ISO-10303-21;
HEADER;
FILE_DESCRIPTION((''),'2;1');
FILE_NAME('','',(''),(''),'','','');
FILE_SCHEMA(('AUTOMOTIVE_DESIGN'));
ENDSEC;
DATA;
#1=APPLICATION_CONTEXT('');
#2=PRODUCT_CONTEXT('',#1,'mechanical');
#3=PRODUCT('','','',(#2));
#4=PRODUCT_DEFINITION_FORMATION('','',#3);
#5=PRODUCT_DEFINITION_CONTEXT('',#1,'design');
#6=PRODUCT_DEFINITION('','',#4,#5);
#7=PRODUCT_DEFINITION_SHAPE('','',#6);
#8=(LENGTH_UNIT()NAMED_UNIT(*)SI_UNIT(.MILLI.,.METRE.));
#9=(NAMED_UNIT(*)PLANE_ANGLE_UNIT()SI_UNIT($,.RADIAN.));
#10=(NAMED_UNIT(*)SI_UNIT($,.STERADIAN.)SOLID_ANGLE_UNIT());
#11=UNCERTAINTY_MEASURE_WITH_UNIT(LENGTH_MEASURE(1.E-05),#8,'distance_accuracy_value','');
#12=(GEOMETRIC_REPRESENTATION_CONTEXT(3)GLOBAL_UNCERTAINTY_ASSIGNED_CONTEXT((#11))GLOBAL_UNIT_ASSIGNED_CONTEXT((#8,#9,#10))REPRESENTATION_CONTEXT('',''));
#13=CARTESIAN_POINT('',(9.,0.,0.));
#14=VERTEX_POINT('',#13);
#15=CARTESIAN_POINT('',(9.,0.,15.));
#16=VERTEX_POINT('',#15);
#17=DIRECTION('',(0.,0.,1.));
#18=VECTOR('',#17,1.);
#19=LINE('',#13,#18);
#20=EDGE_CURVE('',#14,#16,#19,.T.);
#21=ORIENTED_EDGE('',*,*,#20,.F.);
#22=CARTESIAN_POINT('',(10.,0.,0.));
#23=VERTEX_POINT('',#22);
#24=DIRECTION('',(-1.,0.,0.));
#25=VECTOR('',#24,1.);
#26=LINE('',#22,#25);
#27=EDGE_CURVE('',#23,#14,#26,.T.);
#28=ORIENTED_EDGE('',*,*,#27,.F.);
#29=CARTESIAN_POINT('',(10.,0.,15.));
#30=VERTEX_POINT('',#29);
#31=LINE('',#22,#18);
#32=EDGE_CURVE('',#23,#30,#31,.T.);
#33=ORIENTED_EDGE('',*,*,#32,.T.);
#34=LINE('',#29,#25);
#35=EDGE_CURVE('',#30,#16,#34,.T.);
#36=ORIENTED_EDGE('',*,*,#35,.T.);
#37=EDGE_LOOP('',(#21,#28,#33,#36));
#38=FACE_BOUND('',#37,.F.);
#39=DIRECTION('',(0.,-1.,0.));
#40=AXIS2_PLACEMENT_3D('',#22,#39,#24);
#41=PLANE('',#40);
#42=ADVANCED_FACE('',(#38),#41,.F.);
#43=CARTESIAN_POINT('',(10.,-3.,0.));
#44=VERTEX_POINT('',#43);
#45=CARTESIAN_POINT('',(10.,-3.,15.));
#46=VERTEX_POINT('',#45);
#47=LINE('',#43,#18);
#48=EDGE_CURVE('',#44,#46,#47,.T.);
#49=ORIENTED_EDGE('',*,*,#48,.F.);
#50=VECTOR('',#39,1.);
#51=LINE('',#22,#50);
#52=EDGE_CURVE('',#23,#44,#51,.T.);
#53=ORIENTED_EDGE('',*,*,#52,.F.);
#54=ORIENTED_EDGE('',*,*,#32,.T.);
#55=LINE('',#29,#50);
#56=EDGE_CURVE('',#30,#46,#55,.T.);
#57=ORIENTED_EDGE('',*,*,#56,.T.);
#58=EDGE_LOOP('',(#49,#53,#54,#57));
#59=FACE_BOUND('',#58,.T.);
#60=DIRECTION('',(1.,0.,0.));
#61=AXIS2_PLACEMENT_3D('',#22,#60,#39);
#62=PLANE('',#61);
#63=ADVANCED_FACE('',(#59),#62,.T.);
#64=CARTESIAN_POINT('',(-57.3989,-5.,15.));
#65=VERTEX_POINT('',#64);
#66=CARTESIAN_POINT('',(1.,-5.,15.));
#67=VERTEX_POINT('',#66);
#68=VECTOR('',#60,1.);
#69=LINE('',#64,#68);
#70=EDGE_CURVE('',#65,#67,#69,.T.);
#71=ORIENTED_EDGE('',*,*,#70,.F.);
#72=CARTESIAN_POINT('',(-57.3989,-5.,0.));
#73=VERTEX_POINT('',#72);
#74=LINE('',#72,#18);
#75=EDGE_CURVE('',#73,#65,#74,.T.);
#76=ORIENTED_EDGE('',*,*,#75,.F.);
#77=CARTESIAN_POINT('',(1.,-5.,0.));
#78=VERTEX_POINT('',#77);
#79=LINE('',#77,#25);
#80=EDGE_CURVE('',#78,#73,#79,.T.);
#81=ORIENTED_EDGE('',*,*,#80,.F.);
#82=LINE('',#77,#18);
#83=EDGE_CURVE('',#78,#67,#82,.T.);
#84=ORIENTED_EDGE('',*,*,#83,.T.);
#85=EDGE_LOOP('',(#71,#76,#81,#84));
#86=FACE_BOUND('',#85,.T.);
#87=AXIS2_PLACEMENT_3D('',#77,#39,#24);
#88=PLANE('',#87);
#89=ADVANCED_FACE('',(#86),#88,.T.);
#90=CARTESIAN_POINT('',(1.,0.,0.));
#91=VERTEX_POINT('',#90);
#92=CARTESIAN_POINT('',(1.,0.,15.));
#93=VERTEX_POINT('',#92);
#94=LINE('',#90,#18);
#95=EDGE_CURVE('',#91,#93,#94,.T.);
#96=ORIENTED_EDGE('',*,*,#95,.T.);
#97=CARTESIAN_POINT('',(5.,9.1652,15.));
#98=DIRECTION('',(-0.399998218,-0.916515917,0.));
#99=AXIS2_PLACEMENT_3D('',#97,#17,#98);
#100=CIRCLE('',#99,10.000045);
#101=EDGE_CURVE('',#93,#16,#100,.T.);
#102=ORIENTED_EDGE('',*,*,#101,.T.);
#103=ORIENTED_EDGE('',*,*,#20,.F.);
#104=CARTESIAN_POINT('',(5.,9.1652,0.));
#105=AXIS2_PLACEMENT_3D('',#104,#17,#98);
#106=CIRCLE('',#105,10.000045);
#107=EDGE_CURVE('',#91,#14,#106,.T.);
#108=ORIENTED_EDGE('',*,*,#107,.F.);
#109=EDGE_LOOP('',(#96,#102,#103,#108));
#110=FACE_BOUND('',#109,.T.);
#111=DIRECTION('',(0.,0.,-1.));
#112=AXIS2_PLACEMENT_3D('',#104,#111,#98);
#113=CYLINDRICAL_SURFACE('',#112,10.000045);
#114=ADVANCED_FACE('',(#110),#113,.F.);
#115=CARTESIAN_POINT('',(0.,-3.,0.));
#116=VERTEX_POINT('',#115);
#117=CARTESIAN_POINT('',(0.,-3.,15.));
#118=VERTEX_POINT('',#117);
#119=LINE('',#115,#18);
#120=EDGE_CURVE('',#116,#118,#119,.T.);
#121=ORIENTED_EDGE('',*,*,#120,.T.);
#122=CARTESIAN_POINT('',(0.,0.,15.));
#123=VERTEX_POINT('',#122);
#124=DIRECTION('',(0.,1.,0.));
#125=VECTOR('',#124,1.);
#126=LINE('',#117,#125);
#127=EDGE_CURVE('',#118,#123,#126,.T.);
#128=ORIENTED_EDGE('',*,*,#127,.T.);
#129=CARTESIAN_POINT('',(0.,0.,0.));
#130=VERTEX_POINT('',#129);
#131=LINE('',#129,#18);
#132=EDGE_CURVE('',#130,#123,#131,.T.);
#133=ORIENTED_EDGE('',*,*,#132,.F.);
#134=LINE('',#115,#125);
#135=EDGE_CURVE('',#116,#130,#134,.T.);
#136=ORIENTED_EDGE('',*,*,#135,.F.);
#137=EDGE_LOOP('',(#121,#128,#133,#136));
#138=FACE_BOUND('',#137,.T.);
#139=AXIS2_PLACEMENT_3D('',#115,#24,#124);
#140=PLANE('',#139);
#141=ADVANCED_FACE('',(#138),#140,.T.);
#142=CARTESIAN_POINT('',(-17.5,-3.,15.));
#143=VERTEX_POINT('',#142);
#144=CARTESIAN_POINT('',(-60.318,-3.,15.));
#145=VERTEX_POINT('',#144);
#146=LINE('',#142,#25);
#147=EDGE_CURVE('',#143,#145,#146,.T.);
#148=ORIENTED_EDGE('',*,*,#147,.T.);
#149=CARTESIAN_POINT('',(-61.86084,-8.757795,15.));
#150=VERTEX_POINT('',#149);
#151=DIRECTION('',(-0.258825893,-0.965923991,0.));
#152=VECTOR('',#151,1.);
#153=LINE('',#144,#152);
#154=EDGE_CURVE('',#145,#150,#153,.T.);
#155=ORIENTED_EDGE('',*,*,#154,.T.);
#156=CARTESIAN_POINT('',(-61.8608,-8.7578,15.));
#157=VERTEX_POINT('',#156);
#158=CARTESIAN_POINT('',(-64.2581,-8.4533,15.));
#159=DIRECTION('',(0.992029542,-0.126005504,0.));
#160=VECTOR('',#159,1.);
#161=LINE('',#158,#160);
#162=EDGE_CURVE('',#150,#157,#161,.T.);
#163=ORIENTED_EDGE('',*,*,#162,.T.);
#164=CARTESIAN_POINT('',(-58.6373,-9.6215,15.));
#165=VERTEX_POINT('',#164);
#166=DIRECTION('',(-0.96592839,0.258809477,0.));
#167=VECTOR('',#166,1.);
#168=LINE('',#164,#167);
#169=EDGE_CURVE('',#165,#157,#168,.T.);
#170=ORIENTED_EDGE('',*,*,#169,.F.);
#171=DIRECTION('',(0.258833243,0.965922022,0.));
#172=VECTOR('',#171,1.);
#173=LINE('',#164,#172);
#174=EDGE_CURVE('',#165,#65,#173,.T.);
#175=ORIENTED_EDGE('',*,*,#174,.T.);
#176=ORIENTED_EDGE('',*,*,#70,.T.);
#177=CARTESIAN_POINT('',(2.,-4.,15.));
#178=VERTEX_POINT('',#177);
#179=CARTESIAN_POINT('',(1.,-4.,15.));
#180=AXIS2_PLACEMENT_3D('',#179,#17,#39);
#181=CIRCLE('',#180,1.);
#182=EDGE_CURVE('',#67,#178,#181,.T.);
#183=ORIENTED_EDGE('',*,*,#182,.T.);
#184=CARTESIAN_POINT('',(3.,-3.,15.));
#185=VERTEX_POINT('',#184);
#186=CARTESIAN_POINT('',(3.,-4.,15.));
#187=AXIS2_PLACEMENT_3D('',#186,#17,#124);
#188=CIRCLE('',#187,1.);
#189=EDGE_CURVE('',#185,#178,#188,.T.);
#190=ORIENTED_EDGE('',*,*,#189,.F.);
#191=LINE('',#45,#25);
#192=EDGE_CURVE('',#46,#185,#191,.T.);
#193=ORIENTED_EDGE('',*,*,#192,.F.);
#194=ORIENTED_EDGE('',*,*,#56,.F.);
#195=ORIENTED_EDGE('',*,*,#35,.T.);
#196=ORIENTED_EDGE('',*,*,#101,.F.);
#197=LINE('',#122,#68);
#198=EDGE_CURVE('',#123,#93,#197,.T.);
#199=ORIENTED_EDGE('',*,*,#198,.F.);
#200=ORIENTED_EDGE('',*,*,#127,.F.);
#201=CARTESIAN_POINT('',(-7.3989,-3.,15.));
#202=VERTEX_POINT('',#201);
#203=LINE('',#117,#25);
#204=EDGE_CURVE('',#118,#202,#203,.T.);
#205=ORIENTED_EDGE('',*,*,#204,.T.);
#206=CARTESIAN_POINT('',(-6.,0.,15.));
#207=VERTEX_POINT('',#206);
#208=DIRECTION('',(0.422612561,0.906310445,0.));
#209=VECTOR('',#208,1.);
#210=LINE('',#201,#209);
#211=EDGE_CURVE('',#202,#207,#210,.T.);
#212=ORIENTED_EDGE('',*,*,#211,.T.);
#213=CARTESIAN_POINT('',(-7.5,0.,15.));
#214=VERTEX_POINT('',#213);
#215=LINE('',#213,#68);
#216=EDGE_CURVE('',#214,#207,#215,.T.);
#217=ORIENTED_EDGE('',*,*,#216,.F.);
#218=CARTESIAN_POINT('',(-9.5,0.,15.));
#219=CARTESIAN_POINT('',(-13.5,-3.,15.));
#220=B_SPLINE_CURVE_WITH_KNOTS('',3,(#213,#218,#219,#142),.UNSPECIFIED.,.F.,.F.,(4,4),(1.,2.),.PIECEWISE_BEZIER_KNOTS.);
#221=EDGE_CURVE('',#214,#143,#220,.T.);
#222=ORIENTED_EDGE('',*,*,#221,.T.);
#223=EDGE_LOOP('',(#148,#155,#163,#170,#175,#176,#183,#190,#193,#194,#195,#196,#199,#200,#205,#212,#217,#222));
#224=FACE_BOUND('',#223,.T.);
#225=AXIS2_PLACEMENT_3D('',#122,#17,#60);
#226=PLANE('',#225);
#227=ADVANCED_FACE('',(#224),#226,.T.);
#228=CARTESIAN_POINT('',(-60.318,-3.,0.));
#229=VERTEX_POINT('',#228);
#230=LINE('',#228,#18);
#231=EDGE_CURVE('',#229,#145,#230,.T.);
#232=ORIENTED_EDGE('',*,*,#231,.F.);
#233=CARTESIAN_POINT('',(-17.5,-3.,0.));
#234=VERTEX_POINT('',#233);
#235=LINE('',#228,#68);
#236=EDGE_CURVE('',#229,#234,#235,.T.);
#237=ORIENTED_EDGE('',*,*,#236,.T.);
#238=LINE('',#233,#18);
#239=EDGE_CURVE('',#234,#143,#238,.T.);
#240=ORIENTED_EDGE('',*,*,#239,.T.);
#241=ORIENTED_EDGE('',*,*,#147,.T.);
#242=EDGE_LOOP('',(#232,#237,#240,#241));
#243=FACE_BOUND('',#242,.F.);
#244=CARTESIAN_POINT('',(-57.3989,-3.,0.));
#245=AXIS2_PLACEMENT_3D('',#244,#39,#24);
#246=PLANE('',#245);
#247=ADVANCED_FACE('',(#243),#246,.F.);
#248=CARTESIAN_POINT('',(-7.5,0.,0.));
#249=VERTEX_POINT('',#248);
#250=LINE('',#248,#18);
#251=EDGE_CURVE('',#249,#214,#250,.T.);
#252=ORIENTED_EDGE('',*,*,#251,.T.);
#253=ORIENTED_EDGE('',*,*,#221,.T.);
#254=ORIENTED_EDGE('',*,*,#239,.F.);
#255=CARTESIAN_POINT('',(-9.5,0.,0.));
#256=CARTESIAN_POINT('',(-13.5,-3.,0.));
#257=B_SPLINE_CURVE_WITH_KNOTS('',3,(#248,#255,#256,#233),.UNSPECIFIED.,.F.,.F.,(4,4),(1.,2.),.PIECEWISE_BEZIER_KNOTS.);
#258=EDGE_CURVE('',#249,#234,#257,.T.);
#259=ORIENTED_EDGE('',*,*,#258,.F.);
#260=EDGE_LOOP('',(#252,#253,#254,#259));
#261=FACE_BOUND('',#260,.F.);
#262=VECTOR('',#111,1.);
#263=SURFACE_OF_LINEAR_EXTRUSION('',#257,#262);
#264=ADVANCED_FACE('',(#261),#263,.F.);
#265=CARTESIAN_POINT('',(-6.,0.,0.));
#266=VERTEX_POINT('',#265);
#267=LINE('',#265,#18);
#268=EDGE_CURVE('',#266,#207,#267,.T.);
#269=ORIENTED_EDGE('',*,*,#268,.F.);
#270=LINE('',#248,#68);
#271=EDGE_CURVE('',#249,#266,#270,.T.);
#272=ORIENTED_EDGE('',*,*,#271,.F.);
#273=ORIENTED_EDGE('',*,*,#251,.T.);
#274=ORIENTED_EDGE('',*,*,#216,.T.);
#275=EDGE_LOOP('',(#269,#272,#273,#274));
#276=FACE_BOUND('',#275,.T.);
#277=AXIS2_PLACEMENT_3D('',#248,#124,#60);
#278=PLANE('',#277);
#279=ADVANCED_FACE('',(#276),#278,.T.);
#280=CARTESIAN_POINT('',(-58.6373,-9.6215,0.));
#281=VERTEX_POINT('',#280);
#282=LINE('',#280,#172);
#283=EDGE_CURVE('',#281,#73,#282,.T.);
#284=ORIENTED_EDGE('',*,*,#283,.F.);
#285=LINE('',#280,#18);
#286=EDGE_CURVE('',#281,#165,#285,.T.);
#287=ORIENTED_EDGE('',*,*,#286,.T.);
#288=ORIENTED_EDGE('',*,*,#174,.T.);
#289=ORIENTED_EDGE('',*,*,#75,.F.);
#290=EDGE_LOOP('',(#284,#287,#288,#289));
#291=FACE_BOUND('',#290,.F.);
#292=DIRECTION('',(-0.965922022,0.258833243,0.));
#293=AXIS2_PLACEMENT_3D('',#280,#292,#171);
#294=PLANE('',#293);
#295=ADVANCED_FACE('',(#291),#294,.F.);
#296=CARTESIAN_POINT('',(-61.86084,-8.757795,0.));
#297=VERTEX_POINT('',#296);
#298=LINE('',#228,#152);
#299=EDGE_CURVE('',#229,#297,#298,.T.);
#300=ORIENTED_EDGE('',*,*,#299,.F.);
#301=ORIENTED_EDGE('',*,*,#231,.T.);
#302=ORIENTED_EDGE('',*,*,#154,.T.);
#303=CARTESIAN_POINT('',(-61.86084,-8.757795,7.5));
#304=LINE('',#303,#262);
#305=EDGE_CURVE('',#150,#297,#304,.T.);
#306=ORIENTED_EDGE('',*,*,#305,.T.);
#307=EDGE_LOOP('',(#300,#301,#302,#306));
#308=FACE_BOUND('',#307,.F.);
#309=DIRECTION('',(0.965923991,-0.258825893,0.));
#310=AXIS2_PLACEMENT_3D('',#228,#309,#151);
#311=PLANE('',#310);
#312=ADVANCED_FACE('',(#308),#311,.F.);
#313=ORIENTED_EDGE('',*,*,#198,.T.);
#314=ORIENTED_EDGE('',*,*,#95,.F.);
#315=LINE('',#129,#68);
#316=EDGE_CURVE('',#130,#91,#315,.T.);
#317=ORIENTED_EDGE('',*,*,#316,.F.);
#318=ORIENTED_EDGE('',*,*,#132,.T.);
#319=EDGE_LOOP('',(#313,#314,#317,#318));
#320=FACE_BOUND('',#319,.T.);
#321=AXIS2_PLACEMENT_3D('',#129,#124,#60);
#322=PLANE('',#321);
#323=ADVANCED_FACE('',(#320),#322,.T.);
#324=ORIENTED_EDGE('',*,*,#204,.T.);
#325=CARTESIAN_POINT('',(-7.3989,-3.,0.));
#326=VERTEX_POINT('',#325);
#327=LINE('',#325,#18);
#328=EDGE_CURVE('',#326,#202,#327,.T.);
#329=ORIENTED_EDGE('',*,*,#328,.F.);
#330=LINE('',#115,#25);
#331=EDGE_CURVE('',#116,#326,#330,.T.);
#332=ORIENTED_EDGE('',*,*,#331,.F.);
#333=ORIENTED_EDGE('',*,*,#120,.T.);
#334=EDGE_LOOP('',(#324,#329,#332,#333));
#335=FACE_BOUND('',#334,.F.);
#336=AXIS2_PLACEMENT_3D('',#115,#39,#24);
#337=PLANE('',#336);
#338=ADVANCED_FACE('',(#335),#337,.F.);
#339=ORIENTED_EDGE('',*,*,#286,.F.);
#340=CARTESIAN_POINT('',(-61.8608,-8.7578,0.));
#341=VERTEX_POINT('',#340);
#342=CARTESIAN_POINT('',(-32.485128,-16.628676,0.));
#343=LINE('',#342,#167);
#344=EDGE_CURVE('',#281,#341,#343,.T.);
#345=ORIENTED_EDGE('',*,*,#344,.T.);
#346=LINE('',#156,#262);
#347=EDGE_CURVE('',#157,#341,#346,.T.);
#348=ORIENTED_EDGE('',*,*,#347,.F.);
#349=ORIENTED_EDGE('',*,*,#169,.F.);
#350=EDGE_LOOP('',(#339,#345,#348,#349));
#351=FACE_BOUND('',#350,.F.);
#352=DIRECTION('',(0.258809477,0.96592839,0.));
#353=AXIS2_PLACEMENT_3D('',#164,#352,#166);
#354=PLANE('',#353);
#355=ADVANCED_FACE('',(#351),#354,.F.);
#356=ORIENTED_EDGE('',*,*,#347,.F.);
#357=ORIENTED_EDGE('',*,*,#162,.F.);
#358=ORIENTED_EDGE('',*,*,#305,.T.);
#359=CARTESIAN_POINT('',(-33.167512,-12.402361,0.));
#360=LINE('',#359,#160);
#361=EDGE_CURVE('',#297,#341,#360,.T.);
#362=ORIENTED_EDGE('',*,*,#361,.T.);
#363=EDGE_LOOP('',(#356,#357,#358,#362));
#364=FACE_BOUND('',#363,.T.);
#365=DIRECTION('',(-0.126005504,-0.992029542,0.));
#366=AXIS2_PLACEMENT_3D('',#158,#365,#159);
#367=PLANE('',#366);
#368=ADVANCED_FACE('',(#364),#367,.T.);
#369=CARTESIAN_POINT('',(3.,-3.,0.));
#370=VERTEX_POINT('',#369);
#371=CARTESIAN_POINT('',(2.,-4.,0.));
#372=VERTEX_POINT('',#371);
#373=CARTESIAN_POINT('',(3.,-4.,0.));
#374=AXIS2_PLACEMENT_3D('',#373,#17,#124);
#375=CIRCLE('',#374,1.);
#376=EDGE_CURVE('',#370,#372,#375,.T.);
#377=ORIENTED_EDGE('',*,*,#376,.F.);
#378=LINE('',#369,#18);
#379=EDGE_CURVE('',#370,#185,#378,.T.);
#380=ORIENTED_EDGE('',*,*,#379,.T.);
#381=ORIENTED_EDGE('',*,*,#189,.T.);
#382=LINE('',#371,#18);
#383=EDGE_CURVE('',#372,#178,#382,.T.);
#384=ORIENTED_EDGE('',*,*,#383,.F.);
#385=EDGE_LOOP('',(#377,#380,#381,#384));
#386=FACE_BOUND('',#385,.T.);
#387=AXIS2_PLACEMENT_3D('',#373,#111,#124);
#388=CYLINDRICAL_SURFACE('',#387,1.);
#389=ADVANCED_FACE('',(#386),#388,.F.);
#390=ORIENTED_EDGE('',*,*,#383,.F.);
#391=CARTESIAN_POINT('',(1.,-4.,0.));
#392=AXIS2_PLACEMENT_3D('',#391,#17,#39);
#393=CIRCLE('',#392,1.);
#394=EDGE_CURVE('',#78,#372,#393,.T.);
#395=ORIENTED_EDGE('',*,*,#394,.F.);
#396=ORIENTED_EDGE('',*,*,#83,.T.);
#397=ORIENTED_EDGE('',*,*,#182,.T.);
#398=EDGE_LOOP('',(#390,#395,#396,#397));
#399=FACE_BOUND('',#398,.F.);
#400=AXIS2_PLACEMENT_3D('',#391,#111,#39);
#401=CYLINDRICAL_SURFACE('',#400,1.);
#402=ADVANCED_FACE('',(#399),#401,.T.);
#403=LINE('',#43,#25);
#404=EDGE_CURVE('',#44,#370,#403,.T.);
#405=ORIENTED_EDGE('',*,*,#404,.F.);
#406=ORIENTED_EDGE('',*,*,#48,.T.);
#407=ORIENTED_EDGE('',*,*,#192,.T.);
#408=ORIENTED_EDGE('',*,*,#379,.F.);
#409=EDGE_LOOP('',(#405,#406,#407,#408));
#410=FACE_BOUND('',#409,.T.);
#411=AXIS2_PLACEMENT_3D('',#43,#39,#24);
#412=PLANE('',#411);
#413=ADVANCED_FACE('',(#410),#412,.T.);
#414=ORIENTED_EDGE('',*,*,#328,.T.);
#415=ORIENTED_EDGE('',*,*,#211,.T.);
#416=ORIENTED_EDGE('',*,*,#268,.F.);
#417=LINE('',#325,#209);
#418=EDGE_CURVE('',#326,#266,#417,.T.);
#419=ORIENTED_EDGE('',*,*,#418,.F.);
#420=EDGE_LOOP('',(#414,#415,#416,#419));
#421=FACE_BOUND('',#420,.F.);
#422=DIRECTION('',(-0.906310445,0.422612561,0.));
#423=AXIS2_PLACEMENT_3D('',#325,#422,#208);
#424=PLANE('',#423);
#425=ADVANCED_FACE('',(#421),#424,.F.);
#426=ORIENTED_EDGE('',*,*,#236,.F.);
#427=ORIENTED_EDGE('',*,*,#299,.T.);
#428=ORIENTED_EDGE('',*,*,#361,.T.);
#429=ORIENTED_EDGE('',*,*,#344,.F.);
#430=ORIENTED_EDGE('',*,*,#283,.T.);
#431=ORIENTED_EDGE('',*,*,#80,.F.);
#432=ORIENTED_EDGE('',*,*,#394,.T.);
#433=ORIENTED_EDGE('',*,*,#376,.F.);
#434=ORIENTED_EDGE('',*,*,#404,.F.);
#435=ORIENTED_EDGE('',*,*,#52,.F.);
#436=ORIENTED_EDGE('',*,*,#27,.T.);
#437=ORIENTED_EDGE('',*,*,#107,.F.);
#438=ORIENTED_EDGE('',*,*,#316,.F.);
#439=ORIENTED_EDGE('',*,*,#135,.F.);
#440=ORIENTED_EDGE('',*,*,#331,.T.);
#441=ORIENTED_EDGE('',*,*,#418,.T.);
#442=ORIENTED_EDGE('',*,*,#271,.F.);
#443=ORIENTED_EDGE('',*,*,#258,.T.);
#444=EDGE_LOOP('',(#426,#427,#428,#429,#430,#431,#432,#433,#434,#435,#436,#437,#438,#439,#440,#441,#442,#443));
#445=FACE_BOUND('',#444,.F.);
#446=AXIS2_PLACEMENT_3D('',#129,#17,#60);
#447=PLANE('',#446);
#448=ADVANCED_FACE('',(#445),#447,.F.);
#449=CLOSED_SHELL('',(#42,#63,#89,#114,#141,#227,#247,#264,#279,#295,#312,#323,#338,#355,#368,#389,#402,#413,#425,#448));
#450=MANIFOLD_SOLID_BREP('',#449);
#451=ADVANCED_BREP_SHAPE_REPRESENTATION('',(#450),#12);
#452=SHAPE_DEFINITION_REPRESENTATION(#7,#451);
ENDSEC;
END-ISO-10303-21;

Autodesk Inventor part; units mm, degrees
ref_plane "YZ Plane" through (0, 0, 0) normal (1, 0, 0) x (0, 1, 0)
ref_plane "XZ Plane" through (0, 0, 0) normal (0, 1, 0) x (-1, 0, 0)
ref_plane "XY Plane" through (0, 0, 0) normal (0, 0, 1) x (1, 0, 0)
sketch "Эскиз1" plane through (0, 0, 0) normal (0, 0, 1) x (1, 0, 0)
  line L0 (0, 0) -> (1, 0)
  line L1 (10, 0) -> (10, -3)
  line L2 (10, -3) -> (3, -3)
  line L3 (0, -3) -> (0, 0)
  line L4 (0, -3) -> (-7.3989, -3)
  line L5 (-7.3989, -3) -> (-7.3989, -5) construction
  line L6 (-7.3989, -5) -> (0, -5)
  line L7 (0, -5) -> (0, -3) construction
  line L8 (0, -3) -> (2, -3) construction
  line L9 (2, -4) -> (2, -4)
  line L10 (1, -5) -> (0, -5)
  line L11 (0, -5) -> (0, -3) construction
  line L12 (-7.3989, -3) -> (-6, 0)
  line L13 (-7.3989, -3) -> (-13.5, -3) construction
  line L14 (-57.3989, -3) -> (-57.3989, -5) construction
  line L15 (-57.3989, -5) -> (-7.3989, -5)
  line L16 (-7.3989, -5) -> (-7.3989, -3) construction
  arc A0 (1, -5) -> (2, -4) centre (1, -4) ccw
  arc A1 (3, -3) -> (2, -4) centre (3, -4) ccw
  line L17 (-13.5, -3) -> (-17.5, -3) construction
  line L18 (0, 0) -> (1, 0)
  line L19 (10, 0) -> (9, 0)
  arc A2 (1, 0) -> (9, 0) centre (5, 9.1652) ccw
  line L20 (-57.3989, -3) -> (-60.318, -3)
  line L21 (-60.318, -3) -> (-62.6373, -11.6555)
  line L22 (-62.6373, -12.7273) -> (-58.6373, -12.7273) construction
  line L23 (-58.6373, -12.7273) -> (-58.6373, -9.6215) construction
  line L24 (-58.6373, -12.7273) -> (4.3374, -29.6013)
  line L25 (4.3374, -29.6013) -> (5.1139, -26.7036)
  line L26 (5.1139, -26.7036) -> (-58.6373, -9.6215)
  line L27 (-58.6373, -9.6215) -> (-58.6373, -12.7273) construction
  line L28 (-57.3989, -5) -> (-57.3989, -3) construction
  line L29 (-58.6373, -9.6215) -> (-57.3989, -5)
  line L30 (-13.5, -3) -> (-17.5, -3) construction
  line L31 (-17.5, -3) -> (-57.3989, -3)
  line L32 (1, 0) -> (9, 0) construction
  line L33 (9, 0) -> (10, 0)
  line L34 (-58.6373, -12.7273) -> (-62.6373, -11.6555)
  line L35 (-62.6373, -11.6555) -> (-62.6373, -12.7273) construction
  line L36 (-6, 0) -> (-7.5, 0) construction
  line L37 (-7.5, 0) -> (-7.5, -3) construction
  line L38 (-7.5, 0) -> (-9.5, 0) construction
  line L39 (-7.5, 0) -> (-9.5, 0) construction
  line L40 (-9.5, 0) -> (-13.5, -3) construction
  line L41 (-13.5, -3) -> (-17.5, -3) construction
  spline S0 degree 3 poles (-7.5, 0) (-9.5, 0) (-13.5, -3) (-17.5, -3) knots 1 1 1 1 2 2 2 2
  line L42 (-7.5, 0) -> (-6, 0)
  point P0 (2, -5)
  point P1 (0, -5)
  dimension "d0" = 10
  dimension "d1" = 3
  dimension "d3" = 2
  dimension "d4" = 2
  dimension "d5" = 2
  dimension "d6" = 50
  dimension "d9" = 1
  dimension "d10" = 1
  dimension "d11" = 4
  dimension "d13" = 2
  dimension "d14" = 1
  dimension "d15" = 1
  dimension "d16" = 10
  dimension "d17" = 4
  dimension "d18" = 10
  dimension "d20" = 3
  dimension "d21" = 65.1962
  dimension "d25" = 4.7845
  dimension "d26" = 66
  dimension "d27" = 90
  dimension "d28" = 105
  dimension "d29" = 65
  dimension "d30" = 6
  dimension "d31" = 3
  dimension "d32" = 1.5
  dimension "d33" = 6
  dimension "d34" = 2
extrude "Выдавливание1" add sketch "Эскиз1" along normal blind 15
sketch "Эскиз3" plane through (0, 0, 15) normal (0, 0, 1) x (1, 0, 0)
  line L0 (-57.3989, -5) -> (1, -5) construction
  arc A0 (1, -5) -> (2, -4) centre (1, -4) ccw construction
  arc A1 (3, -3) -> (2, -4) centre (3, -4) ccw construction
  line L1 (3, -3) -> (10, -3) construction
  line L2 (10, -3) -> (10, 0) construction
  line L3 (10, 0) -> (9, 0) construction
  arc A2 (1, 0) -> (9, 0) centre (5, 9.1652) ccw construction
  line L4 (1, 0) -> (0, 0) construction
  line L5 (0, 0) -> (0, -3) construction
  line L6 (0, -3) -> (-7.3989, -3) construction
  line L7 (-7.3989, -3) -> (-6, 0) construction
  line L8 (-6, 0) -> (-7.5, 0) construction
  line L9 (-17.5, -3) -> (-60.318, -3) construction
  line L10 (-60.318, -3) -> (-62.6373, -11.6555) construction
  line L11 (-62.6373, -11.6555) -> (4.3374, -29.6013) construction
  line L12 (4.3374, -29.6013) -> (5.1139, -26.7036) construction
  line L13 (5.1139, -26.7036) -> (-58.6373, -9.6215) construction
  line L14 (-58.6373, -9.6215) -> (-57.3989, -5) construction
  line L15 (5.1139, -26.7036) -> (-58.6373, -9.6215) construction
  line L16 (-58.6373, -9.6215) -> (-61.8608, -8.7578)
  line L17 (-58.6373, -9.6215) -> (9.5, -23.7826)
  line L18 (9.5, -23.7826) -> (5.9363, -35.0214)
  line L19 (5.9363, -35.0214) -> (-67.9626, -14.6873)
  line L20 (-67.9626, -14.6873) -> (-64.2581, -8.4533)
  line L21 (-64.2581, -8.4533) -> (-61.8608, -8.7578)
extrude "Выдавливание2" cut sketch "Эскиз3" against normal blind 25
properties part number "bat_lock02"
